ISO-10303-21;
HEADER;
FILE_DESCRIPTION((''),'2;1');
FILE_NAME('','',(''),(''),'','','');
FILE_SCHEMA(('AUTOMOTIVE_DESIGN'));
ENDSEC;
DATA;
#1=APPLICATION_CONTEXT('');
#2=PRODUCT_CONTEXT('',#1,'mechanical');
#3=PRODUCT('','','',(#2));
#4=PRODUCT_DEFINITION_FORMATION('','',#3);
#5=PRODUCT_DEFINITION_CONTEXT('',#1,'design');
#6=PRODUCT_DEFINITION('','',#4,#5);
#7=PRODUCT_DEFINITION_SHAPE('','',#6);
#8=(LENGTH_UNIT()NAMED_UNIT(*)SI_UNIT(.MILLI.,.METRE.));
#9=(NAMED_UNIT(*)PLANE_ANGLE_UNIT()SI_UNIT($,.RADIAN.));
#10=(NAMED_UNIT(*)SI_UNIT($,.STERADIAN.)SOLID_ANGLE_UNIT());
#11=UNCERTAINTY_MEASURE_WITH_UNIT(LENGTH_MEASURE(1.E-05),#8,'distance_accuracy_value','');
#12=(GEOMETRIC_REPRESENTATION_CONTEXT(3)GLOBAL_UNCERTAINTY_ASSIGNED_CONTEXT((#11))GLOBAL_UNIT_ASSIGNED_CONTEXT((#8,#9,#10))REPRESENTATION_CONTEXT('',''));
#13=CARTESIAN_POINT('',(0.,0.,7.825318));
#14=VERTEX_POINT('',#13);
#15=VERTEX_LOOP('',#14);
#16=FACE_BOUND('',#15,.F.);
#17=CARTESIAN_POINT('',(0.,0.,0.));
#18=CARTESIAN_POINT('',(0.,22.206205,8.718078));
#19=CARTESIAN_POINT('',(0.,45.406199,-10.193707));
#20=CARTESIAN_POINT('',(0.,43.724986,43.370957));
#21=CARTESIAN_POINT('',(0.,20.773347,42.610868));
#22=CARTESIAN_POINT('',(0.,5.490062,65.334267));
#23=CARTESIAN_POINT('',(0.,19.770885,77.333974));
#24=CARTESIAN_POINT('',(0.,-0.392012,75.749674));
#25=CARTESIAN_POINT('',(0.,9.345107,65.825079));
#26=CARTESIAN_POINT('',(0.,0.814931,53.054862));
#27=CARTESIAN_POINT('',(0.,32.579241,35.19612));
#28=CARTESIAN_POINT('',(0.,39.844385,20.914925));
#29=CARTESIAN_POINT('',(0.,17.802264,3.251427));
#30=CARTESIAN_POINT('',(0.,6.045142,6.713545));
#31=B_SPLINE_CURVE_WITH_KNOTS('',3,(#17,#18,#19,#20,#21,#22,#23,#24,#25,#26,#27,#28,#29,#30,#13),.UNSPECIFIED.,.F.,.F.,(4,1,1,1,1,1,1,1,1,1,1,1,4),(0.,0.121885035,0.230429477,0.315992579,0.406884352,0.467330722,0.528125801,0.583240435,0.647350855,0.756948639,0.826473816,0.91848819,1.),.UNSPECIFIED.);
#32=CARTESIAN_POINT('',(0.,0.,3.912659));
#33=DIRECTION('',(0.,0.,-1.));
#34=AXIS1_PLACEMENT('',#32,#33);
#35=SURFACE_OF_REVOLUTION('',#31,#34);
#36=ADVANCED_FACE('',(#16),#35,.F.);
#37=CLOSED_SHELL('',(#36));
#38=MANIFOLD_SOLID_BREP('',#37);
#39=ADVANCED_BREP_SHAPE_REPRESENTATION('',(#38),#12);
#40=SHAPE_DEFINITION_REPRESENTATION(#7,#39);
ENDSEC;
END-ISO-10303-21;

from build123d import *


with BuildPart() as f1:
    # F0 (on Right) → F1 (revolve)
    with BuildSketch(Plane.YZ):
        with BuildLine():
            Line((0, 7.825317566), (0, 0))
            add(Edge.make_bspline(
                [(0, 0), (22.2062050763, 8.7180778076), (45.4061992872, -10.1937066989), (43.7249862183, 43.3709573416), (20.773347361, 42.6108684339), (5.4900624283, 65.3342673114), (19.7708847049, 77.3339736102), (-0.3920117197, 75.7496744434), (9.3451072233, 65.8250790173), (0.8149313158, 53.0548620464), (32.579240857, 35.1961200398), (39.8443845082, 20.914924922), (17.8022642464, 3.2514272673), (6.0451415679, 6.7135450895), (0, 7.825317566)],
                knots=[0, 0, 0, 0, 0.121885035, 0.2304294765, 0.315992579, 0.4068843517, 0.4673307216, 0.528125801, 0.583240435, 0.6473508552, 0.7569486389, 0.8264738156, 0.9184881897, 1, 1, 1, 1], degree=3))
        make_face()
    revolve(axis=Axis((0, 0, 3.912658783), (0, 0, -1)))


solid = f1.part
